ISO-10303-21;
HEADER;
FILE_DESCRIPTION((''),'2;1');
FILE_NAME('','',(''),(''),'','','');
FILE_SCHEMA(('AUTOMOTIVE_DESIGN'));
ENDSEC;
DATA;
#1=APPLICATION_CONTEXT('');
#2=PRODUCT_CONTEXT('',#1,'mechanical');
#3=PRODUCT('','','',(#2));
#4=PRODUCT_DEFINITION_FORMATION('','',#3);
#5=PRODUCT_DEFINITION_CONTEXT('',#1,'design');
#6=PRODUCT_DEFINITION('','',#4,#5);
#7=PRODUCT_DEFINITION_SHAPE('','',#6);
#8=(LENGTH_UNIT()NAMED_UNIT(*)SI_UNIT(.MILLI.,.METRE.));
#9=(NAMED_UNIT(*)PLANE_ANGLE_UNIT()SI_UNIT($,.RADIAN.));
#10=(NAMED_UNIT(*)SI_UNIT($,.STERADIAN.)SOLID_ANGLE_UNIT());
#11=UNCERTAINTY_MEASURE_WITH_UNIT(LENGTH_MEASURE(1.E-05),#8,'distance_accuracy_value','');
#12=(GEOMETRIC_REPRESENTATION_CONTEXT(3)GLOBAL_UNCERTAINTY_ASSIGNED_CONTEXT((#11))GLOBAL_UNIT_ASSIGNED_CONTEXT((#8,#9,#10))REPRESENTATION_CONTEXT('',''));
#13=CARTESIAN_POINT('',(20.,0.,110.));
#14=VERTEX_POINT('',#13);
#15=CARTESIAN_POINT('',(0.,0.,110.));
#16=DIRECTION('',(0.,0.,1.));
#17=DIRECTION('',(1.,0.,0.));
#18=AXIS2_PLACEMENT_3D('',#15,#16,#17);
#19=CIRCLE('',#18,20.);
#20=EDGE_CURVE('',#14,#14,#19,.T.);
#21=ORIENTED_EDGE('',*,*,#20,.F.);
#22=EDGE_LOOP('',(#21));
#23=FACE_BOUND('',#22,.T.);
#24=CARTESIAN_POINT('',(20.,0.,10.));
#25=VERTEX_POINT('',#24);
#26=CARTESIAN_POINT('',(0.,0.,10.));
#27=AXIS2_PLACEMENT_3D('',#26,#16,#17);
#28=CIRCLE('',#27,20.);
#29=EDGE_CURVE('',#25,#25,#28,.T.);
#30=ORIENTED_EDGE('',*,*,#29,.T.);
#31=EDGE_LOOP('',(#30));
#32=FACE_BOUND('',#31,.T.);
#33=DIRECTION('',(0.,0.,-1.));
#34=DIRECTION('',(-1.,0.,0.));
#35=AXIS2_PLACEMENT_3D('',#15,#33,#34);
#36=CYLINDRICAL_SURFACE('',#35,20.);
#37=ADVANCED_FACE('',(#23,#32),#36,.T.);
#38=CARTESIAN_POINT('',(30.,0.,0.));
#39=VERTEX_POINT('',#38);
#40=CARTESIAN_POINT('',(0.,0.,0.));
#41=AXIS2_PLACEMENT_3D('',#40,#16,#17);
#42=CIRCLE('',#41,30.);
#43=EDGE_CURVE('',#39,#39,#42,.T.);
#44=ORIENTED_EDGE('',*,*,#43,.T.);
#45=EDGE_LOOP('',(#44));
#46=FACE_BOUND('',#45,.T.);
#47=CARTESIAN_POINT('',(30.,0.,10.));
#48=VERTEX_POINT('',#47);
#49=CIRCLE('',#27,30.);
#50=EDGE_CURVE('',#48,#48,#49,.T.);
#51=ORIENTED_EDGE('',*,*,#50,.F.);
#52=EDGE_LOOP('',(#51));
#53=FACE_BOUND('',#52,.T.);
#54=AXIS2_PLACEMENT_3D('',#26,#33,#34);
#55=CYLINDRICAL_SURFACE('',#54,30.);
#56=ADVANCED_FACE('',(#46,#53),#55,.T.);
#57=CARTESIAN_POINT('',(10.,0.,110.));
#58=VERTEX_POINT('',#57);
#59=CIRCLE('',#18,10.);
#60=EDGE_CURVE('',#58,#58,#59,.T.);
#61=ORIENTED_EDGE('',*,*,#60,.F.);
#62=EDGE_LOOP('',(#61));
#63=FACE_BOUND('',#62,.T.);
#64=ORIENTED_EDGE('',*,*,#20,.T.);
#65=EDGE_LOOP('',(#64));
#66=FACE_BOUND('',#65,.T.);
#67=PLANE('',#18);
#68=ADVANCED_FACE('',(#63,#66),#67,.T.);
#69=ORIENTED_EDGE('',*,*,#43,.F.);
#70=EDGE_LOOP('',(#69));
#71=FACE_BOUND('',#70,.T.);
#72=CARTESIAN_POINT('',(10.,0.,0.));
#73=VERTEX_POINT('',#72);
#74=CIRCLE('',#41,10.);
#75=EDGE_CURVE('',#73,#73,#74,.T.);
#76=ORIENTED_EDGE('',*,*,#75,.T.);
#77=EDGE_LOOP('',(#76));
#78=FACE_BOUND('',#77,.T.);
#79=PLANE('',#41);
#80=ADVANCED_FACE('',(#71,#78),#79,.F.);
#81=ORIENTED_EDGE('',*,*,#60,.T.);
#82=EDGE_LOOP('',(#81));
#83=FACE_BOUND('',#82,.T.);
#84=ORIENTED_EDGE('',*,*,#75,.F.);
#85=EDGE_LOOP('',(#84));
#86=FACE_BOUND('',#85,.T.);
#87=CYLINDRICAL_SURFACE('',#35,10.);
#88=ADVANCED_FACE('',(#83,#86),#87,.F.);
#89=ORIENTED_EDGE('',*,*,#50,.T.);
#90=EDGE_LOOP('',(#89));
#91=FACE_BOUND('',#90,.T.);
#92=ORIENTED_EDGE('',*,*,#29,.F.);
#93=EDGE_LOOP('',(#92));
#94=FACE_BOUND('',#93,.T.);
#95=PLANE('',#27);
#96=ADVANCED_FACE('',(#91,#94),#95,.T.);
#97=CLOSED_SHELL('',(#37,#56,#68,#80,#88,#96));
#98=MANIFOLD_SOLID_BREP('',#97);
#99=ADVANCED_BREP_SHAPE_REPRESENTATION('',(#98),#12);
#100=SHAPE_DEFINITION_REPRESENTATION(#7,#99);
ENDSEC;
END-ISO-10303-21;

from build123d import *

# Parameters (mm, degrees)
SKETCH2_R           = 20
SKETCH2_R_2         = 10
BOSS_EXTRUDE1_DEPTH = 110
SKETCH3_R           = 30
BOSS_EXTRUDE2_DEPTH = 10
CUT_EXTRUDE1_START  = -10
SKETCH4_R           = 10
CUT_EXTRUDE1_DEPTH  = 10


with BuildPart() as part:
    # Sketch2 → Boss-Extrude1 (new body)
    with BuildSketch(Plane(origin=(0, 0, 0), x_dir=(0, 1, 0), z_dir=(0, 0, 1))):
        with Locations(Location((0, 0, 0), (0, 0, 270))):
            Circle(SKETCH2_R)
        with Locations(Location((0, 0, 0), (0, 0, 270))):
            Circle(SKETCH2_R_2, mode=Mode.SUBTRACT)
    extrude(amount=BOSS_EXTRUDE1_DEPTH)

    # Sketch3 → Boss-Extrude2 (add)
    with BuildSketch(Plane(origin=(0, 0, 0), x_dir=(0, 1, 0), z_dir=(0, 0, 1))):
        with Locations(Location((0, 0, 0), (0, 0, 270))):
            Circle(SKETCH3_R)
    extrude(amount=BOSS_EXTRUDE2_DEPTH)

    # Sketch4 → Cut-Extrude1 (cut)
    with BuildSketch(Plane.XY.offset(10).offset(CUT_EXTRUDE1_START)):
        Circle(SKETCH4_R)
    extrude(amount=CUT_EXTRUDE1_DEPTH, mode=Mode.SUBTRACT)


solid = part.part
